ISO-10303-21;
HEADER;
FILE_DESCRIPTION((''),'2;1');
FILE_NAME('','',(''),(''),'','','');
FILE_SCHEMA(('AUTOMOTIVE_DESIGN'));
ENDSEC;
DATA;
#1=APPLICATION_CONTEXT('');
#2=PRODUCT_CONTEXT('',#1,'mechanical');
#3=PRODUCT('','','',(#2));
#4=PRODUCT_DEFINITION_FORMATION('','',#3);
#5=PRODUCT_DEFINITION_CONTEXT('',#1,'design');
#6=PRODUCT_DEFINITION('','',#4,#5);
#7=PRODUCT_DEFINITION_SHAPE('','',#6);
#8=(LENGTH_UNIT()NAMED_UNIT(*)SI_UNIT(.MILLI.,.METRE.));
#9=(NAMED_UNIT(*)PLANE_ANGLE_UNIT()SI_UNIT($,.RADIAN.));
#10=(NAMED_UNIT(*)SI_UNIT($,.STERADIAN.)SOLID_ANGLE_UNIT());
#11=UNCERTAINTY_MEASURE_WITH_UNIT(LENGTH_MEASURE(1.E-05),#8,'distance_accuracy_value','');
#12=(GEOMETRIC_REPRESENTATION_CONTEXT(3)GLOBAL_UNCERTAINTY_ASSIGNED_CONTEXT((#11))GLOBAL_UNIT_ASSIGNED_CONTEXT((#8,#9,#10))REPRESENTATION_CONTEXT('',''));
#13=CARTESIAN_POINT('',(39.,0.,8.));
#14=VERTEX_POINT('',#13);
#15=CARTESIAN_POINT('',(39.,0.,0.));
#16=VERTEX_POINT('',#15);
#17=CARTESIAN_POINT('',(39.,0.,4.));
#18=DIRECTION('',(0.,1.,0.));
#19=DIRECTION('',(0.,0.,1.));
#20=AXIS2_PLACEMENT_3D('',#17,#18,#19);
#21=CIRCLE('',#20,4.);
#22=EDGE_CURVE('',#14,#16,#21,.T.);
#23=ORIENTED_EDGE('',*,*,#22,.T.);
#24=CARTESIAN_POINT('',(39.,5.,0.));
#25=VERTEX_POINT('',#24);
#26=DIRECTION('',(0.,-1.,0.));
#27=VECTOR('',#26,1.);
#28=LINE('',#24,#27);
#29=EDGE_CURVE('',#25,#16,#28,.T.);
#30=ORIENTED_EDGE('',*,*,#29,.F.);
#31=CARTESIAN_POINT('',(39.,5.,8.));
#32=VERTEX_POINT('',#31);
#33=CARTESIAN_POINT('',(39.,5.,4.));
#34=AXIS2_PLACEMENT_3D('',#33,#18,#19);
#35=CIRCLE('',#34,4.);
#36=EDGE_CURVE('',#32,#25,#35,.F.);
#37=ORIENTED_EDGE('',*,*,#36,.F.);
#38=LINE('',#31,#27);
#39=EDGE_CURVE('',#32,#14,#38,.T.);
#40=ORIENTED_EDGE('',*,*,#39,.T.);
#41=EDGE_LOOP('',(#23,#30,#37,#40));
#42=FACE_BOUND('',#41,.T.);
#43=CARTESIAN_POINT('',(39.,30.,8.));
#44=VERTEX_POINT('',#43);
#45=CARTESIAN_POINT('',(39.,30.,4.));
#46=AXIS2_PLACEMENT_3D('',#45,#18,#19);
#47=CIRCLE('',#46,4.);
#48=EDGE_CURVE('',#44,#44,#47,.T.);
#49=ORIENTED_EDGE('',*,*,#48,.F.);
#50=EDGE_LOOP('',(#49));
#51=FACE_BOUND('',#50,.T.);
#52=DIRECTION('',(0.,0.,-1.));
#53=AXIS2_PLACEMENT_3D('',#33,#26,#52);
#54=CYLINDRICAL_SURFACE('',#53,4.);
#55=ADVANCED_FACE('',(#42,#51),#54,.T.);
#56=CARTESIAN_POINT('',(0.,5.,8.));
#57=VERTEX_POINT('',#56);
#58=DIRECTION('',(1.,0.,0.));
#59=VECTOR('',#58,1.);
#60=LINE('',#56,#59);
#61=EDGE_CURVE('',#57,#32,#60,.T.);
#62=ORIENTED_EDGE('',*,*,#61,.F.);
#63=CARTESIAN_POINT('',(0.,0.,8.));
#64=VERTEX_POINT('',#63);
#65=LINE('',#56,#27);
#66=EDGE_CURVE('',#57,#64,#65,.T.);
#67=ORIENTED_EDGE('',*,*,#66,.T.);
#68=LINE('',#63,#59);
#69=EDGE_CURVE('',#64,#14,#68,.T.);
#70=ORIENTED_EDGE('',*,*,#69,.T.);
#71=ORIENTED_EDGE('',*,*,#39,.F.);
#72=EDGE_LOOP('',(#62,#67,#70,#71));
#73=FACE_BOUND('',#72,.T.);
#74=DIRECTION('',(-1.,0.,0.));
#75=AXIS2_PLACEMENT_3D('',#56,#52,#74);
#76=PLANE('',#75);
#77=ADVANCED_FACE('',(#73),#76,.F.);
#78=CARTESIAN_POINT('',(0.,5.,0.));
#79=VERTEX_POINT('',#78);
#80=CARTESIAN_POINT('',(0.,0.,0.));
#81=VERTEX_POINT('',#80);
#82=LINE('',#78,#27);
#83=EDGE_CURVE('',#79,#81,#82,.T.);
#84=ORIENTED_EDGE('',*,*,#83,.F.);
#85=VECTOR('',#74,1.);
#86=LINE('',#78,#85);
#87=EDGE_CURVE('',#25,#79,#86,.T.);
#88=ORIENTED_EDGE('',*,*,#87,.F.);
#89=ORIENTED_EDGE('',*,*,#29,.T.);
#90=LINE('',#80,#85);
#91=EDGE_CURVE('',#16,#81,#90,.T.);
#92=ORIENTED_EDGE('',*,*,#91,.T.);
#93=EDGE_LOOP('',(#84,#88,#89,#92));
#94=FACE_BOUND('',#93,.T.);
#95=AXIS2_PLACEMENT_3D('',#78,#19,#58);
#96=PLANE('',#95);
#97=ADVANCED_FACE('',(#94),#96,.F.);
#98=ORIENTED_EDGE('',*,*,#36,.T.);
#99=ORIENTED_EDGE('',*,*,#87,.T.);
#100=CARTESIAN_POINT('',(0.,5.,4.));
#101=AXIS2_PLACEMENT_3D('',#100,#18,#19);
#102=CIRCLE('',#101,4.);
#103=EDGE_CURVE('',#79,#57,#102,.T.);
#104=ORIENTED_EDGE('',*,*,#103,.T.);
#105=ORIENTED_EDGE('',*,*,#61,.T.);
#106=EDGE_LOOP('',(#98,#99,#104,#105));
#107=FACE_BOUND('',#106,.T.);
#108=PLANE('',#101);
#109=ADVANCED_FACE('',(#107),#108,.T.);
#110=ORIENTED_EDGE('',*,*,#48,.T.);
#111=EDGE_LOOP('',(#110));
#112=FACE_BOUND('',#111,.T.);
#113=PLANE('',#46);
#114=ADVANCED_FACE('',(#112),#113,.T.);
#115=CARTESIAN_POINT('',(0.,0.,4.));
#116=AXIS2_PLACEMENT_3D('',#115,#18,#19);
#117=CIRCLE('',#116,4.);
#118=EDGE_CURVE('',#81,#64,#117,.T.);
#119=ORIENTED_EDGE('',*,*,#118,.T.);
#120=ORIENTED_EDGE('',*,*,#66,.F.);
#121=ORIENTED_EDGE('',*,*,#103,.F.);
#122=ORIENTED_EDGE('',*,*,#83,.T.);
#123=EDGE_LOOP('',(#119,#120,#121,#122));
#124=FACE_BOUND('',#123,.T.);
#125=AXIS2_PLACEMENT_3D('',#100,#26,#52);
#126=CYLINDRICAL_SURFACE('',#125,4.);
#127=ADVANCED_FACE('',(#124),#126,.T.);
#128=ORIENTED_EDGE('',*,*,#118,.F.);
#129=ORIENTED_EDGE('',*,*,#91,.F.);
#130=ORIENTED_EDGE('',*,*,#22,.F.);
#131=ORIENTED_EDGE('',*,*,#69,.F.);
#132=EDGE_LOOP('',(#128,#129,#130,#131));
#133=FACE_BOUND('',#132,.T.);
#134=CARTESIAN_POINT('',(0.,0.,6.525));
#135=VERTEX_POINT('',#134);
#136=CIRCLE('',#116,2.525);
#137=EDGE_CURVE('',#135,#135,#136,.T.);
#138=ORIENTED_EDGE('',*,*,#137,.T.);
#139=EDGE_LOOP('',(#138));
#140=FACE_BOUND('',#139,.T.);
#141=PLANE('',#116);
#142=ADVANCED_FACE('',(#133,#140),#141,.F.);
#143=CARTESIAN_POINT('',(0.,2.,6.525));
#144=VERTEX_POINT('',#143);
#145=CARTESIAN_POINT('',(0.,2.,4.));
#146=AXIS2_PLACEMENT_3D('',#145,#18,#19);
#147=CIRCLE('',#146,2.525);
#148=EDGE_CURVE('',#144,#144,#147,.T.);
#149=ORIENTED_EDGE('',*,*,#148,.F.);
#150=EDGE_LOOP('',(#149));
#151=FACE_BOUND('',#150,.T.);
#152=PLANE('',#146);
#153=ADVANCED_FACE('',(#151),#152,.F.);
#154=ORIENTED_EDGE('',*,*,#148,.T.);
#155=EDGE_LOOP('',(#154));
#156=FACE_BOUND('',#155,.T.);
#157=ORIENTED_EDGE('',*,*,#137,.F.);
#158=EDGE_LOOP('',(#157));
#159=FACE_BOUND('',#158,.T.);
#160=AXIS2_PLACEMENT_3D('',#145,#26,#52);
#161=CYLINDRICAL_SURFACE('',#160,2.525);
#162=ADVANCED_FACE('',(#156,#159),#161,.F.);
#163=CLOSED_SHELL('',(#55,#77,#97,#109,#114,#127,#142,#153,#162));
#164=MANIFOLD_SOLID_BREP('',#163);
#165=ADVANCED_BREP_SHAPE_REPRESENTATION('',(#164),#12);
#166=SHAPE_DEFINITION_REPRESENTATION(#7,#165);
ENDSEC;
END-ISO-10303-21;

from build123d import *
from build123d.topology import SkipClean

# Parameters (mm, degrees)
BOSS_EXTRUDE1_DEPTH = 5
SKETCH2_R           = 2.525
CUT_EXTRUDE1_DEPTH  = 2
SKETCH3_R           = 4
BOSS_EXTRUDE2_DEPTH = 30


with BuildPart() as part:
    # Sketch1 → Boss-Extrude1 (new body)
    with BuildSketch(Plane(origin=(0, 0, 0), x_dir=(1, 0, 0), z_dir=(0, 1, 0))):
        with BuildLine():
            Line((0, 0), (39, 0))
            ThreePointArc((39, 0), (43.000000182, -3.999999909), (39.000000182, -8))
            Line((39.000000182, -8), (1.82e-07, -8))
            ThreePointArc((1.82e-07, -8), (-4, -4.000000091), (0, 0))
        make_face()
    extrude(amount=BOSS_EXTRUDE1_DEPTH)

    # Sketch2 → Cut-Extrude1 (cut)
    with BuildSketch(Plane(origin=(0, 0, 0), x_dir=(1, 0, 0), z_dir=(0, 1, 0))):
        with Locations(Location((0, -4, 0), (0, 0, 270))):
            Circle(SKETCH2_R)
    extrude(amount=CUT_EXTRUDE1_DEPTH, mode=Mode.SUBTRACT)

    # Sketch3 → Boss-Extrude2 (add)
    with SkipClean():  # the faces are left unmerged after this step: merging them gives an invalid solid
        with BuildSketch(Plane(origin=(0, 0, 0), x_dir=(1, 0, 0), z_dir=(0, 1, 0))):
            with Locations(Location((39.000000182, -4, 0), (0, 0, 270))):
                Circle(SKETCH3_R)
        extrude(amount=BOSS_EXTRUDE2_DEPTH)


solid = part.part
